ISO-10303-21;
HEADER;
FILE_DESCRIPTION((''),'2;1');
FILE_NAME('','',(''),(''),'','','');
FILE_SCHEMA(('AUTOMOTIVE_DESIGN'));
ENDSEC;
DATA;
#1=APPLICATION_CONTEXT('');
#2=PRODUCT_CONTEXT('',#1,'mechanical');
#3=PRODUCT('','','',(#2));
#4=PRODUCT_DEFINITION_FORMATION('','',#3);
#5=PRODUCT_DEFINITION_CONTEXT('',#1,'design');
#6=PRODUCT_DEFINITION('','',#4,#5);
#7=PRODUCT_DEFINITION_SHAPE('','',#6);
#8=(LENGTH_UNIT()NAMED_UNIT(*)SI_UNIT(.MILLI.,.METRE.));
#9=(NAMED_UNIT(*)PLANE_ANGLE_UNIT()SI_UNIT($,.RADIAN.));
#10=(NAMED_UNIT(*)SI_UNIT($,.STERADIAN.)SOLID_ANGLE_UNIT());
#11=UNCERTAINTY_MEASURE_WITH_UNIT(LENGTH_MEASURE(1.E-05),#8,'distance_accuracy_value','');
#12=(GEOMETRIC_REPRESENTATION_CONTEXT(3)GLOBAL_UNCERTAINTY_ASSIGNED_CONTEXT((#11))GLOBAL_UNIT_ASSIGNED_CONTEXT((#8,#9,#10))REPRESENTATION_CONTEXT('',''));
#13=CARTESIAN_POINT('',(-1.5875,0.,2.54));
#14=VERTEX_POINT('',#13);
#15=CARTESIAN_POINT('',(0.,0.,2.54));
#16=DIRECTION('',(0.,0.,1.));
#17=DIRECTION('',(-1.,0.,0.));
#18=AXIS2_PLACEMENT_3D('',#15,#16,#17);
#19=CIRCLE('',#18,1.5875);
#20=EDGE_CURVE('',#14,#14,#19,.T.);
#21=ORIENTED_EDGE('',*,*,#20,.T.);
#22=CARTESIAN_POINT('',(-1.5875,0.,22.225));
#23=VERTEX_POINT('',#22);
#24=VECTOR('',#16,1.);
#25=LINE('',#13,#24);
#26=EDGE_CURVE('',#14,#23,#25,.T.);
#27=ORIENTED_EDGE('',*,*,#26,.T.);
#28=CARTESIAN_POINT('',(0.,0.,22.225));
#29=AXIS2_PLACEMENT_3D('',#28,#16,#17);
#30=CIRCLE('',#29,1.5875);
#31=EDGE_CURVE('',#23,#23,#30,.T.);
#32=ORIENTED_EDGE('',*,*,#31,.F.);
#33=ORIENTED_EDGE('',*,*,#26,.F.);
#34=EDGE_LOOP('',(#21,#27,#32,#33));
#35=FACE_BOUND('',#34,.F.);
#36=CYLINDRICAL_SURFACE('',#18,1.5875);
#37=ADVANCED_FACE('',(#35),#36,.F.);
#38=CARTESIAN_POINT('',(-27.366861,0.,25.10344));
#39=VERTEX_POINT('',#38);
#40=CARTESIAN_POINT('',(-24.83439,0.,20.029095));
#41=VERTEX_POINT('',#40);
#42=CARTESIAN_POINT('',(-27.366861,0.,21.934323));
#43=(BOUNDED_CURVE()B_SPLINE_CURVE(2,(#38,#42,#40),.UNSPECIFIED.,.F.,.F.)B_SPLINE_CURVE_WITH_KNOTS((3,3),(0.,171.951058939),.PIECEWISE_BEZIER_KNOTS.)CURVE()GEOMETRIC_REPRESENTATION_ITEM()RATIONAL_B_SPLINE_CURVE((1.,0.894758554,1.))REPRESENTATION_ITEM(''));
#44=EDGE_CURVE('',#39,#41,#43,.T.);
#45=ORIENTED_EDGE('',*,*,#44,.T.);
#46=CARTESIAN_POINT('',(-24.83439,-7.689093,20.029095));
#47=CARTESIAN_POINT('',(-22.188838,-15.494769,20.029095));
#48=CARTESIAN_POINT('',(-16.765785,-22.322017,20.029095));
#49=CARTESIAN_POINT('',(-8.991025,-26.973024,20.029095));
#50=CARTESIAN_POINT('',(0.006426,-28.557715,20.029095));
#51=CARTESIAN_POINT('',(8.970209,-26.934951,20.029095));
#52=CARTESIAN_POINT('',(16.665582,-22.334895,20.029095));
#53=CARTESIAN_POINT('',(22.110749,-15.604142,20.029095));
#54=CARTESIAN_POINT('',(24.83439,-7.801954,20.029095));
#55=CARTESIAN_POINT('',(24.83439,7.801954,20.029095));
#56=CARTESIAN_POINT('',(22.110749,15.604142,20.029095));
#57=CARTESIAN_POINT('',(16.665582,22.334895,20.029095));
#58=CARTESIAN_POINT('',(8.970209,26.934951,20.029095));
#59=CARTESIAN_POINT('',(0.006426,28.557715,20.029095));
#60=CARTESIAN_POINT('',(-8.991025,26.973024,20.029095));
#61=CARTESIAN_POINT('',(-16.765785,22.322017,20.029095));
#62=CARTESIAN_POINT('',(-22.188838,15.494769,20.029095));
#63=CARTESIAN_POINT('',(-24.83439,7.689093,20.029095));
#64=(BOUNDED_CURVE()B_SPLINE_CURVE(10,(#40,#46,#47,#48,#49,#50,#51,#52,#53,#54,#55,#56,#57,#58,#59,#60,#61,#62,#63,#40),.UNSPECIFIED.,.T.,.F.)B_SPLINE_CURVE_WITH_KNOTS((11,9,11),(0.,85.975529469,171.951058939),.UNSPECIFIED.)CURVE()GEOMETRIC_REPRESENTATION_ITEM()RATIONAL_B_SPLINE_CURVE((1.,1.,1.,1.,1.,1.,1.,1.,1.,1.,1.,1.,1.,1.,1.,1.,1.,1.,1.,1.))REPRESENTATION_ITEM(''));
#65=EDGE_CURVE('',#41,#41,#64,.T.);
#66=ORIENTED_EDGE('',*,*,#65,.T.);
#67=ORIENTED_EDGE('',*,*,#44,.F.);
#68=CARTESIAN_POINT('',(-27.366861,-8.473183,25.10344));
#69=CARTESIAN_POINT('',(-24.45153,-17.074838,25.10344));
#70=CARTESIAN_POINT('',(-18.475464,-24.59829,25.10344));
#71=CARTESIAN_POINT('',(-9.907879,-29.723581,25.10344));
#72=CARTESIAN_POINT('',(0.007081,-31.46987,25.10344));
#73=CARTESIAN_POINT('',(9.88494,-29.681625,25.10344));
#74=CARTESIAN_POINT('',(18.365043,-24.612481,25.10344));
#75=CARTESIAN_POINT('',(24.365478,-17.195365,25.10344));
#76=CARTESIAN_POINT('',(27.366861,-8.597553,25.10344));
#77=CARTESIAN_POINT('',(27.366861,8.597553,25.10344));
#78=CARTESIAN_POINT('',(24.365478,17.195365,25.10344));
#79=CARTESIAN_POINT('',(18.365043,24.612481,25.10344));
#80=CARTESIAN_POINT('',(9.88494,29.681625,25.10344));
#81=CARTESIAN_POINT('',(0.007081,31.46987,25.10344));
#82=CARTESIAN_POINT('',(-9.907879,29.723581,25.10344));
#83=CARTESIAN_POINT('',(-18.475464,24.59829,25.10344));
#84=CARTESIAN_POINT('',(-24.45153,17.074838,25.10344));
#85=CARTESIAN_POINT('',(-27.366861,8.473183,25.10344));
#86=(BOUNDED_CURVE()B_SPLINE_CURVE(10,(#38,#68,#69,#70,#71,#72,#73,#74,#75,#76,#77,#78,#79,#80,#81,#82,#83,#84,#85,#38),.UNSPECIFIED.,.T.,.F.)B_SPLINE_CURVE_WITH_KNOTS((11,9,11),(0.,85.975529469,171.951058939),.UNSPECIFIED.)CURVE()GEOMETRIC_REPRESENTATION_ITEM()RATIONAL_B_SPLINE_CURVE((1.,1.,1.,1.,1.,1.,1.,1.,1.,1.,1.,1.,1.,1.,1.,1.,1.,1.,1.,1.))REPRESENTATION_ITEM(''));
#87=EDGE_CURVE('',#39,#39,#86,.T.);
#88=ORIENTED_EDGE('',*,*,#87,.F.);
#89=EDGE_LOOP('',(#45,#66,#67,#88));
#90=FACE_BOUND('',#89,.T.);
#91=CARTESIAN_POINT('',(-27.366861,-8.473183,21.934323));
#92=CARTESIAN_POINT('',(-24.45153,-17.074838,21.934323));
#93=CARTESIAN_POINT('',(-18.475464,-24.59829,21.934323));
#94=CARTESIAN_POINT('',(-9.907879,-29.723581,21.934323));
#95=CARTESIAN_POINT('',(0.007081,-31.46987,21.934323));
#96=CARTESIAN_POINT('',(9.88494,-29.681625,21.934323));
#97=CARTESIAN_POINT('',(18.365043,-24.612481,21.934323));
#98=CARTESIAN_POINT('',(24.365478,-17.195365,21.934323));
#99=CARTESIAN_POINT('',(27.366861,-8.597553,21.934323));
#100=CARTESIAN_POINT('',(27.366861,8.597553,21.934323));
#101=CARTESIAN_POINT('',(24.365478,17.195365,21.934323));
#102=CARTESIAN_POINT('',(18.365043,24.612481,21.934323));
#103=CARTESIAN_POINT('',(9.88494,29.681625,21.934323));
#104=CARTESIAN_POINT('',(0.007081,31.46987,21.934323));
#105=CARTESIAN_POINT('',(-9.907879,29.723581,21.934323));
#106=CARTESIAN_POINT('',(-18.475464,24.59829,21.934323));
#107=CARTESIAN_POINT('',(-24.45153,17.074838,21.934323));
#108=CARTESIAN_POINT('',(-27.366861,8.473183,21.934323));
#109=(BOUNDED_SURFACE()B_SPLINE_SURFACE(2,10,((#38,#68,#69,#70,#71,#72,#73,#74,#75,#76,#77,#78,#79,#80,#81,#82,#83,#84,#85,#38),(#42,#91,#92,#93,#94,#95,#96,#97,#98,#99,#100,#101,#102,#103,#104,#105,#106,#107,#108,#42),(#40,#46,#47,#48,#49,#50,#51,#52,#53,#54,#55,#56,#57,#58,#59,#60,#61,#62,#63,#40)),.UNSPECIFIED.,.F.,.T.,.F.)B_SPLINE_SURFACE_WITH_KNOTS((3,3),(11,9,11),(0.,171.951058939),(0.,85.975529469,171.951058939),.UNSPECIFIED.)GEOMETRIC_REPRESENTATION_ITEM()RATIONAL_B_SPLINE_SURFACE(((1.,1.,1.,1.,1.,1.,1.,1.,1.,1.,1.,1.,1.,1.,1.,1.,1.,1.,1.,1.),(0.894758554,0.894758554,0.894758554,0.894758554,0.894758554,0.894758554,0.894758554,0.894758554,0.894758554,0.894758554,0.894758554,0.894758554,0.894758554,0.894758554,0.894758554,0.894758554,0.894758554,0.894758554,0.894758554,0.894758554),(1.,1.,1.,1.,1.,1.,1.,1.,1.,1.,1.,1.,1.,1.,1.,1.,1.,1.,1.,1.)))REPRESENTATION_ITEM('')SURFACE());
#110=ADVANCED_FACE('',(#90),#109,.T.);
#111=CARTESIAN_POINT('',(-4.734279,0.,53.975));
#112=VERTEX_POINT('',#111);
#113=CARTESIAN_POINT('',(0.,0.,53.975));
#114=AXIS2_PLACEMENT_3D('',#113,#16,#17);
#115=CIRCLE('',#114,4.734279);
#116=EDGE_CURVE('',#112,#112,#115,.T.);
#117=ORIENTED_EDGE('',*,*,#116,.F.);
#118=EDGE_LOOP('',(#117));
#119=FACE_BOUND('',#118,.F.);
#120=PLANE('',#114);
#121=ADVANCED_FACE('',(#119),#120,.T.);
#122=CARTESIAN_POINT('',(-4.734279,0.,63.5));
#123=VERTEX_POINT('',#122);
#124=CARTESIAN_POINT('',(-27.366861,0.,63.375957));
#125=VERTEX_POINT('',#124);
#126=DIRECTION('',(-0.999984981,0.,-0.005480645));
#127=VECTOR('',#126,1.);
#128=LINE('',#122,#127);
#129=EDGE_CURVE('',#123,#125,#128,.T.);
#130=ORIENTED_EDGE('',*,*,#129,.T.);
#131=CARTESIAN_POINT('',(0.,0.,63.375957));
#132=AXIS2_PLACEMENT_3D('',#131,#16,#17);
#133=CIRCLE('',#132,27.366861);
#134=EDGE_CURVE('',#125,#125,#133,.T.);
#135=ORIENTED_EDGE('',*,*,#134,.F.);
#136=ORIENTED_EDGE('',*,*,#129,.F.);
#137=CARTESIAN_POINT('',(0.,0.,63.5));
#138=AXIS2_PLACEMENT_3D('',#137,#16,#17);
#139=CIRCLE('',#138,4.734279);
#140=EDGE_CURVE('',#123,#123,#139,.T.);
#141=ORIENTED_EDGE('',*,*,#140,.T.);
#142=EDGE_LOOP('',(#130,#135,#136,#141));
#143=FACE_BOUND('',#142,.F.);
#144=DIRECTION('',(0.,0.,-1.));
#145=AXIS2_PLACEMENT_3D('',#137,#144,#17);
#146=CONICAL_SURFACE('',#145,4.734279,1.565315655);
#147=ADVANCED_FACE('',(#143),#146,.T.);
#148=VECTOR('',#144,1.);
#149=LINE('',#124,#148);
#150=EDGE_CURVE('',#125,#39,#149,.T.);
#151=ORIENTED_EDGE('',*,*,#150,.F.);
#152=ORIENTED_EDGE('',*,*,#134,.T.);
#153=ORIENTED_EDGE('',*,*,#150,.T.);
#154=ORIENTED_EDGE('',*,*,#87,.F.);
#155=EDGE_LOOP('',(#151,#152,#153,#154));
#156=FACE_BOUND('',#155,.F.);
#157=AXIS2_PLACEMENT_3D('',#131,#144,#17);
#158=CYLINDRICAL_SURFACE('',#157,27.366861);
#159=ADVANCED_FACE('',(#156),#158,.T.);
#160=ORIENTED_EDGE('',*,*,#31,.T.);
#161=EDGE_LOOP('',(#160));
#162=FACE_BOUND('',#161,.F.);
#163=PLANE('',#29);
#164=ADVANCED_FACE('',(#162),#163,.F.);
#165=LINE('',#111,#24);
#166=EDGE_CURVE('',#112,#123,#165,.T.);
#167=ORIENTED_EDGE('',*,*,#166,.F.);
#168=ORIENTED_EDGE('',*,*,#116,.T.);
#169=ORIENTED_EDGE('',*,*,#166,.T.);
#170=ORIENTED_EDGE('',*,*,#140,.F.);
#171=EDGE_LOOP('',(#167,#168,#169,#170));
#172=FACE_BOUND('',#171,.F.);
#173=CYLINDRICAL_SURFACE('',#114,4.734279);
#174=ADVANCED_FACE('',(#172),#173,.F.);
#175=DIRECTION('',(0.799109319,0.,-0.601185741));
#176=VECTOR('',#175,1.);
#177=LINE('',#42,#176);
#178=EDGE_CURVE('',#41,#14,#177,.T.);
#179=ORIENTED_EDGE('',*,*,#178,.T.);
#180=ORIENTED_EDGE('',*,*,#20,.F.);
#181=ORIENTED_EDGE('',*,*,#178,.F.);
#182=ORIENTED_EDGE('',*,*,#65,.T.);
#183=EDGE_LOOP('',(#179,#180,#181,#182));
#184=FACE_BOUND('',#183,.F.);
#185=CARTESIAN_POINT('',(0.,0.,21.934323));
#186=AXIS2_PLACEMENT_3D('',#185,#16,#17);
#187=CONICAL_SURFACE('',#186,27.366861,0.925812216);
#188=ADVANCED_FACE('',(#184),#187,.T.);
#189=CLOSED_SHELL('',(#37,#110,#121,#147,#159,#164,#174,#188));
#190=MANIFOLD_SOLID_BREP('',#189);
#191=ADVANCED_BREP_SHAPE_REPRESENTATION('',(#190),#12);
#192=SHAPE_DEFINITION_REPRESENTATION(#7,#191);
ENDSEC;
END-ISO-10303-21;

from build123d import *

# Parameters (mm, degrees)
F2_R = 6.35


with BuildPart() as f1:
    # F0 (on Front) → F1 (revolve)
    with BuildSketch(Plane.XZ):
        Polygon((-1.5875, 22.225), (0, 22.225), (0, 53.975), (-4.734279, 53.975), (-27.366861, 53.975), (-27.366861, 21.934323), (-1.5875, 2.54), align=None)
        Polygon((-27.366861, 53.975), (-4.734279, 53.975), (-4.734279, 63.5), (-27.366861, 63.375957), align=None)
    revolve(axis=Axis((0, 0, 31.75), (0, 0, 1)))

    # F2
    f2_edges = [f1.edges().sort_by_distance(p)[0] for p in [
        (27.366861, 0, 21.934323),
    ]]
    fillet(f2_edges, radius=F2_R)


solid = f1.part
